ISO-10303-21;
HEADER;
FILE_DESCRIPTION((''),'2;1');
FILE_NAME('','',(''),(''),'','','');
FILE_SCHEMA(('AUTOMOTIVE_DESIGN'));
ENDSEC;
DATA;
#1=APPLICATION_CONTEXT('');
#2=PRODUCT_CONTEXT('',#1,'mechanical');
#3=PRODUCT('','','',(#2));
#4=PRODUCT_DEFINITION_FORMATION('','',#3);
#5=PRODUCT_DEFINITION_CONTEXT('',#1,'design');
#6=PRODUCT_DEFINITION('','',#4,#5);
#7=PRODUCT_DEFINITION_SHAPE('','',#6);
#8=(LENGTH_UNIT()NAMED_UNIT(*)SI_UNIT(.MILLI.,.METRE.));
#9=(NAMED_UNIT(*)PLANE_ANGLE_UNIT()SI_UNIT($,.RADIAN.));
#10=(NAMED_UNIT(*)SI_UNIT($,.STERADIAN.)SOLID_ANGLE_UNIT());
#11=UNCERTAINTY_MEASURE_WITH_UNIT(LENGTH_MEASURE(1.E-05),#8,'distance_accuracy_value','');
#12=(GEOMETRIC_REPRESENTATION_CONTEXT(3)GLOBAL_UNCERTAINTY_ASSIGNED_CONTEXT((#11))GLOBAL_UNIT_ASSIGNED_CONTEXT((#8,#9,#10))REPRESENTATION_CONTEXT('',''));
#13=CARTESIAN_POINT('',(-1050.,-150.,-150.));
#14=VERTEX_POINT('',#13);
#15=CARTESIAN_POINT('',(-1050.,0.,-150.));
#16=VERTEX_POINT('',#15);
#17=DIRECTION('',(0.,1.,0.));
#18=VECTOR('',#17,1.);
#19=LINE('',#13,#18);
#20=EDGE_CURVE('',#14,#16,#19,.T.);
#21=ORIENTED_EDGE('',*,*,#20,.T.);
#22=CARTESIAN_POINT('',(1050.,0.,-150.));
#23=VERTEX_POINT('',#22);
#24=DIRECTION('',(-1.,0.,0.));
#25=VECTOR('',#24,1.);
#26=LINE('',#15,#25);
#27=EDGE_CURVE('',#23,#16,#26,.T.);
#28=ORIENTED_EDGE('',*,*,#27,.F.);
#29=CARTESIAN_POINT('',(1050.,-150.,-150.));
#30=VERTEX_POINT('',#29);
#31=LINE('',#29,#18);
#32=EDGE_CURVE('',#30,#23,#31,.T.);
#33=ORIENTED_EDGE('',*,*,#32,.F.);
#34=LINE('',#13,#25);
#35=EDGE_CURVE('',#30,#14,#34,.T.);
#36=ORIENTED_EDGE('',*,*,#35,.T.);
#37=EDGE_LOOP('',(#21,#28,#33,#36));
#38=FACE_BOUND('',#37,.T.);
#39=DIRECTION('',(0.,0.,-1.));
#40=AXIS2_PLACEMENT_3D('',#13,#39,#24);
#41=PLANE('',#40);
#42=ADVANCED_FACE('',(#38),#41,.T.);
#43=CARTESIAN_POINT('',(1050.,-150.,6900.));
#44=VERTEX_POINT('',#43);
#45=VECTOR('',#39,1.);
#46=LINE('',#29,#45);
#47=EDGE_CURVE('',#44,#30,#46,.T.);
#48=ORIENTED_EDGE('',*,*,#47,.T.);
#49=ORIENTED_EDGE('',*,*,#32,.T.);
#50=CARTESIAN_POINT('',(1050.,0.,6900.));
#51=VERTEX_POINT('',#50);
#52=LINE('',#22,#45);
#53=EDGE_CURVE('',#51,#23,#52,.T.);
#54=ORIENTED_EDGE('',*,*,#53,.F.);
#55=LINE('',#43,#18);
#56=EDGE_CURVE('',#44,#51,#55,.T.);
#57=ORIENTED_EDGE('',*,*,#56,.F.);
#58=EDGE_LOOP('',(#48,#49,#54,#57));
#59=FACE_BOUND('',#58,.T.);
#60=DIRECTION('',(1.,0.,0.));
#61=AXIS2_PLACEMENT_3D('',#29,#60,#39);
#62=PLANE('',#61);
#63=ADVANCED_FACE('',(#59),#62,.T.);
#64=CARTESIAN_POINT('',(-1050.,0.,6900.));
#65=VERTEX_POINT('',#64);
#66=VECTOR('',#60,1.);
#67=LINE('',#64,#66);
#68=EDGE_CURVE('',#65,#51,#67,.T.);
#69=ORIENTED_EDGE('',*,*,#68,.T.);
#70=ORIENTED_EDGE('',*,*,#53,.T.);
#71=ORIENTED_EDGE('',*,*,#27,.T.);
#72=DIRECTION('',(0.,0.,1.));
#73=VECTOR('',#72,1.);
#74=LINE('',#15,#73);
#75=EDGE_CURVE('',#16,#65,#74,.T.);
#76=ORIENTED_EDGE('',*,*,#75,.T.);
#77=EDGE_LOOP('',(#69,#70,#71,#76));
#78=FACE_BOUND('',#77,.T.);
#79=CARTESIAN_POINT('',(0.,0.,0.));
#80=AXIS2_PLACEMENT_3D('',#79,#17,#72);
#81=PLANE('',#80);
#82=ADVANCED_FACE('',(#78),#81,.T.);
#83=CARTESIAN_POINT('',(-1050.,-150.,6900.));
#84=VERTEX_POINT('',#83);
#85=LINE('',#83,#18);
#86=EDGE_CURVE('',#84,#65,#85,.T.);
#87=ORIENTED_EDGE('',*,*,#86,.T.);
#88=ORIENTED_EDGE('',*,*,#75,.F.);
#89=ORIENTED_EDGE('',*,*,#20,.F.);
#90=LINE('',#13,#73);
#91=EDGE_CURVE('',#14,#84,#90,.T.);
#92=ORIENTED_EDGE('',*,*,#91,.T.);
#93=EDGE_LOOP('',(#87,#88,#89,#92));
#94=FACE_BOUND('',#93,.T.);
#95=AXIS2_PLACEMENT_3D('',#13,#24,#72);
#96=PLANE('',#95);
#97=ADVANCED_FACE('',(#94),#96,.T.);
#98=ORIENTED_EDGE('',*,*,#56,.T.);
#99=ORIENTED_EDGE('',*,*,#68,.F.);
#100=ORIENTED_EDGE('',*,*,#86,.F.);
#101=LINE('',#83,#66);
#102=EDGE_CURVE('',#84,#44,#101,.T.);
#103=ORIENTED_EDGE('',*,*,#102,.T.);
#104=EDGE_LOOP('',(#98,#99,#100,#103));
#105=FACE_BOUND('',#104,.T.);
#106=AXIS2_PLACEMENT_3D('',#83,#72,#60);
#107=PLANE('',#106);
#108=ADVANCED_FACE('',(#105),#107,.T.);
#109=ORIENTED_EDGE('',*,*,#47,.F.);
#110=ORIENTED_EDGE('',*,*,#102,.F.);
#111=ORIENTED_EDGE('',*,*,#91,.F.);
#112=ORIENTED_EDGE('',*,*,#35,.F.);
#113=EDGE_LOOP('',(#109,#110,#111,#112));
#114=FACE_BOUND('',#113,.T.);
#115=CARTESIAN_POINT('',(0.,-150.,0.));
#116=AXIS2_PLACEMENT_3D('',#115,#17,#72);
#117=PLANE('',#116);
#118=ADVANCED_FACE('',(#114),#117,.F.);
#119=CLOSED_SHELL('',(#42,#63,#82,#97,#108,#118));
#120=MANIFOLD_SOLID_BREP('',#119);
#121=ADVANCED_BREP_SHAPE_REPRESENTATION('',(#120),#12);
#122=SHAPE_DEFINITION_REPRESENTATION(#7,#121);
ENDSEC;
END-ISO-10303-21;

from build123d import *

# Parameters (mm, degrees)
SKETCH_1_W      = 2100
SKETCH_1_H      = 7050
EXTRUDE_1_DEPTH = 150


with BuildPart() as part:
    # Эскиз1 → Бобышка-Вытянуть1 (new body)
    with BuildSketch(Plane(origin=(0, 0, 0), x_dir=(1, 0, 0), z_dir=(0, 1, 0))):
        with Locations((0, -3375)):
            Rectangle(SKETCH_1_W, SKETCH_1_H)
    extrude(amount=-EXTRUDE_1_DEPTH)


solid = part.part
